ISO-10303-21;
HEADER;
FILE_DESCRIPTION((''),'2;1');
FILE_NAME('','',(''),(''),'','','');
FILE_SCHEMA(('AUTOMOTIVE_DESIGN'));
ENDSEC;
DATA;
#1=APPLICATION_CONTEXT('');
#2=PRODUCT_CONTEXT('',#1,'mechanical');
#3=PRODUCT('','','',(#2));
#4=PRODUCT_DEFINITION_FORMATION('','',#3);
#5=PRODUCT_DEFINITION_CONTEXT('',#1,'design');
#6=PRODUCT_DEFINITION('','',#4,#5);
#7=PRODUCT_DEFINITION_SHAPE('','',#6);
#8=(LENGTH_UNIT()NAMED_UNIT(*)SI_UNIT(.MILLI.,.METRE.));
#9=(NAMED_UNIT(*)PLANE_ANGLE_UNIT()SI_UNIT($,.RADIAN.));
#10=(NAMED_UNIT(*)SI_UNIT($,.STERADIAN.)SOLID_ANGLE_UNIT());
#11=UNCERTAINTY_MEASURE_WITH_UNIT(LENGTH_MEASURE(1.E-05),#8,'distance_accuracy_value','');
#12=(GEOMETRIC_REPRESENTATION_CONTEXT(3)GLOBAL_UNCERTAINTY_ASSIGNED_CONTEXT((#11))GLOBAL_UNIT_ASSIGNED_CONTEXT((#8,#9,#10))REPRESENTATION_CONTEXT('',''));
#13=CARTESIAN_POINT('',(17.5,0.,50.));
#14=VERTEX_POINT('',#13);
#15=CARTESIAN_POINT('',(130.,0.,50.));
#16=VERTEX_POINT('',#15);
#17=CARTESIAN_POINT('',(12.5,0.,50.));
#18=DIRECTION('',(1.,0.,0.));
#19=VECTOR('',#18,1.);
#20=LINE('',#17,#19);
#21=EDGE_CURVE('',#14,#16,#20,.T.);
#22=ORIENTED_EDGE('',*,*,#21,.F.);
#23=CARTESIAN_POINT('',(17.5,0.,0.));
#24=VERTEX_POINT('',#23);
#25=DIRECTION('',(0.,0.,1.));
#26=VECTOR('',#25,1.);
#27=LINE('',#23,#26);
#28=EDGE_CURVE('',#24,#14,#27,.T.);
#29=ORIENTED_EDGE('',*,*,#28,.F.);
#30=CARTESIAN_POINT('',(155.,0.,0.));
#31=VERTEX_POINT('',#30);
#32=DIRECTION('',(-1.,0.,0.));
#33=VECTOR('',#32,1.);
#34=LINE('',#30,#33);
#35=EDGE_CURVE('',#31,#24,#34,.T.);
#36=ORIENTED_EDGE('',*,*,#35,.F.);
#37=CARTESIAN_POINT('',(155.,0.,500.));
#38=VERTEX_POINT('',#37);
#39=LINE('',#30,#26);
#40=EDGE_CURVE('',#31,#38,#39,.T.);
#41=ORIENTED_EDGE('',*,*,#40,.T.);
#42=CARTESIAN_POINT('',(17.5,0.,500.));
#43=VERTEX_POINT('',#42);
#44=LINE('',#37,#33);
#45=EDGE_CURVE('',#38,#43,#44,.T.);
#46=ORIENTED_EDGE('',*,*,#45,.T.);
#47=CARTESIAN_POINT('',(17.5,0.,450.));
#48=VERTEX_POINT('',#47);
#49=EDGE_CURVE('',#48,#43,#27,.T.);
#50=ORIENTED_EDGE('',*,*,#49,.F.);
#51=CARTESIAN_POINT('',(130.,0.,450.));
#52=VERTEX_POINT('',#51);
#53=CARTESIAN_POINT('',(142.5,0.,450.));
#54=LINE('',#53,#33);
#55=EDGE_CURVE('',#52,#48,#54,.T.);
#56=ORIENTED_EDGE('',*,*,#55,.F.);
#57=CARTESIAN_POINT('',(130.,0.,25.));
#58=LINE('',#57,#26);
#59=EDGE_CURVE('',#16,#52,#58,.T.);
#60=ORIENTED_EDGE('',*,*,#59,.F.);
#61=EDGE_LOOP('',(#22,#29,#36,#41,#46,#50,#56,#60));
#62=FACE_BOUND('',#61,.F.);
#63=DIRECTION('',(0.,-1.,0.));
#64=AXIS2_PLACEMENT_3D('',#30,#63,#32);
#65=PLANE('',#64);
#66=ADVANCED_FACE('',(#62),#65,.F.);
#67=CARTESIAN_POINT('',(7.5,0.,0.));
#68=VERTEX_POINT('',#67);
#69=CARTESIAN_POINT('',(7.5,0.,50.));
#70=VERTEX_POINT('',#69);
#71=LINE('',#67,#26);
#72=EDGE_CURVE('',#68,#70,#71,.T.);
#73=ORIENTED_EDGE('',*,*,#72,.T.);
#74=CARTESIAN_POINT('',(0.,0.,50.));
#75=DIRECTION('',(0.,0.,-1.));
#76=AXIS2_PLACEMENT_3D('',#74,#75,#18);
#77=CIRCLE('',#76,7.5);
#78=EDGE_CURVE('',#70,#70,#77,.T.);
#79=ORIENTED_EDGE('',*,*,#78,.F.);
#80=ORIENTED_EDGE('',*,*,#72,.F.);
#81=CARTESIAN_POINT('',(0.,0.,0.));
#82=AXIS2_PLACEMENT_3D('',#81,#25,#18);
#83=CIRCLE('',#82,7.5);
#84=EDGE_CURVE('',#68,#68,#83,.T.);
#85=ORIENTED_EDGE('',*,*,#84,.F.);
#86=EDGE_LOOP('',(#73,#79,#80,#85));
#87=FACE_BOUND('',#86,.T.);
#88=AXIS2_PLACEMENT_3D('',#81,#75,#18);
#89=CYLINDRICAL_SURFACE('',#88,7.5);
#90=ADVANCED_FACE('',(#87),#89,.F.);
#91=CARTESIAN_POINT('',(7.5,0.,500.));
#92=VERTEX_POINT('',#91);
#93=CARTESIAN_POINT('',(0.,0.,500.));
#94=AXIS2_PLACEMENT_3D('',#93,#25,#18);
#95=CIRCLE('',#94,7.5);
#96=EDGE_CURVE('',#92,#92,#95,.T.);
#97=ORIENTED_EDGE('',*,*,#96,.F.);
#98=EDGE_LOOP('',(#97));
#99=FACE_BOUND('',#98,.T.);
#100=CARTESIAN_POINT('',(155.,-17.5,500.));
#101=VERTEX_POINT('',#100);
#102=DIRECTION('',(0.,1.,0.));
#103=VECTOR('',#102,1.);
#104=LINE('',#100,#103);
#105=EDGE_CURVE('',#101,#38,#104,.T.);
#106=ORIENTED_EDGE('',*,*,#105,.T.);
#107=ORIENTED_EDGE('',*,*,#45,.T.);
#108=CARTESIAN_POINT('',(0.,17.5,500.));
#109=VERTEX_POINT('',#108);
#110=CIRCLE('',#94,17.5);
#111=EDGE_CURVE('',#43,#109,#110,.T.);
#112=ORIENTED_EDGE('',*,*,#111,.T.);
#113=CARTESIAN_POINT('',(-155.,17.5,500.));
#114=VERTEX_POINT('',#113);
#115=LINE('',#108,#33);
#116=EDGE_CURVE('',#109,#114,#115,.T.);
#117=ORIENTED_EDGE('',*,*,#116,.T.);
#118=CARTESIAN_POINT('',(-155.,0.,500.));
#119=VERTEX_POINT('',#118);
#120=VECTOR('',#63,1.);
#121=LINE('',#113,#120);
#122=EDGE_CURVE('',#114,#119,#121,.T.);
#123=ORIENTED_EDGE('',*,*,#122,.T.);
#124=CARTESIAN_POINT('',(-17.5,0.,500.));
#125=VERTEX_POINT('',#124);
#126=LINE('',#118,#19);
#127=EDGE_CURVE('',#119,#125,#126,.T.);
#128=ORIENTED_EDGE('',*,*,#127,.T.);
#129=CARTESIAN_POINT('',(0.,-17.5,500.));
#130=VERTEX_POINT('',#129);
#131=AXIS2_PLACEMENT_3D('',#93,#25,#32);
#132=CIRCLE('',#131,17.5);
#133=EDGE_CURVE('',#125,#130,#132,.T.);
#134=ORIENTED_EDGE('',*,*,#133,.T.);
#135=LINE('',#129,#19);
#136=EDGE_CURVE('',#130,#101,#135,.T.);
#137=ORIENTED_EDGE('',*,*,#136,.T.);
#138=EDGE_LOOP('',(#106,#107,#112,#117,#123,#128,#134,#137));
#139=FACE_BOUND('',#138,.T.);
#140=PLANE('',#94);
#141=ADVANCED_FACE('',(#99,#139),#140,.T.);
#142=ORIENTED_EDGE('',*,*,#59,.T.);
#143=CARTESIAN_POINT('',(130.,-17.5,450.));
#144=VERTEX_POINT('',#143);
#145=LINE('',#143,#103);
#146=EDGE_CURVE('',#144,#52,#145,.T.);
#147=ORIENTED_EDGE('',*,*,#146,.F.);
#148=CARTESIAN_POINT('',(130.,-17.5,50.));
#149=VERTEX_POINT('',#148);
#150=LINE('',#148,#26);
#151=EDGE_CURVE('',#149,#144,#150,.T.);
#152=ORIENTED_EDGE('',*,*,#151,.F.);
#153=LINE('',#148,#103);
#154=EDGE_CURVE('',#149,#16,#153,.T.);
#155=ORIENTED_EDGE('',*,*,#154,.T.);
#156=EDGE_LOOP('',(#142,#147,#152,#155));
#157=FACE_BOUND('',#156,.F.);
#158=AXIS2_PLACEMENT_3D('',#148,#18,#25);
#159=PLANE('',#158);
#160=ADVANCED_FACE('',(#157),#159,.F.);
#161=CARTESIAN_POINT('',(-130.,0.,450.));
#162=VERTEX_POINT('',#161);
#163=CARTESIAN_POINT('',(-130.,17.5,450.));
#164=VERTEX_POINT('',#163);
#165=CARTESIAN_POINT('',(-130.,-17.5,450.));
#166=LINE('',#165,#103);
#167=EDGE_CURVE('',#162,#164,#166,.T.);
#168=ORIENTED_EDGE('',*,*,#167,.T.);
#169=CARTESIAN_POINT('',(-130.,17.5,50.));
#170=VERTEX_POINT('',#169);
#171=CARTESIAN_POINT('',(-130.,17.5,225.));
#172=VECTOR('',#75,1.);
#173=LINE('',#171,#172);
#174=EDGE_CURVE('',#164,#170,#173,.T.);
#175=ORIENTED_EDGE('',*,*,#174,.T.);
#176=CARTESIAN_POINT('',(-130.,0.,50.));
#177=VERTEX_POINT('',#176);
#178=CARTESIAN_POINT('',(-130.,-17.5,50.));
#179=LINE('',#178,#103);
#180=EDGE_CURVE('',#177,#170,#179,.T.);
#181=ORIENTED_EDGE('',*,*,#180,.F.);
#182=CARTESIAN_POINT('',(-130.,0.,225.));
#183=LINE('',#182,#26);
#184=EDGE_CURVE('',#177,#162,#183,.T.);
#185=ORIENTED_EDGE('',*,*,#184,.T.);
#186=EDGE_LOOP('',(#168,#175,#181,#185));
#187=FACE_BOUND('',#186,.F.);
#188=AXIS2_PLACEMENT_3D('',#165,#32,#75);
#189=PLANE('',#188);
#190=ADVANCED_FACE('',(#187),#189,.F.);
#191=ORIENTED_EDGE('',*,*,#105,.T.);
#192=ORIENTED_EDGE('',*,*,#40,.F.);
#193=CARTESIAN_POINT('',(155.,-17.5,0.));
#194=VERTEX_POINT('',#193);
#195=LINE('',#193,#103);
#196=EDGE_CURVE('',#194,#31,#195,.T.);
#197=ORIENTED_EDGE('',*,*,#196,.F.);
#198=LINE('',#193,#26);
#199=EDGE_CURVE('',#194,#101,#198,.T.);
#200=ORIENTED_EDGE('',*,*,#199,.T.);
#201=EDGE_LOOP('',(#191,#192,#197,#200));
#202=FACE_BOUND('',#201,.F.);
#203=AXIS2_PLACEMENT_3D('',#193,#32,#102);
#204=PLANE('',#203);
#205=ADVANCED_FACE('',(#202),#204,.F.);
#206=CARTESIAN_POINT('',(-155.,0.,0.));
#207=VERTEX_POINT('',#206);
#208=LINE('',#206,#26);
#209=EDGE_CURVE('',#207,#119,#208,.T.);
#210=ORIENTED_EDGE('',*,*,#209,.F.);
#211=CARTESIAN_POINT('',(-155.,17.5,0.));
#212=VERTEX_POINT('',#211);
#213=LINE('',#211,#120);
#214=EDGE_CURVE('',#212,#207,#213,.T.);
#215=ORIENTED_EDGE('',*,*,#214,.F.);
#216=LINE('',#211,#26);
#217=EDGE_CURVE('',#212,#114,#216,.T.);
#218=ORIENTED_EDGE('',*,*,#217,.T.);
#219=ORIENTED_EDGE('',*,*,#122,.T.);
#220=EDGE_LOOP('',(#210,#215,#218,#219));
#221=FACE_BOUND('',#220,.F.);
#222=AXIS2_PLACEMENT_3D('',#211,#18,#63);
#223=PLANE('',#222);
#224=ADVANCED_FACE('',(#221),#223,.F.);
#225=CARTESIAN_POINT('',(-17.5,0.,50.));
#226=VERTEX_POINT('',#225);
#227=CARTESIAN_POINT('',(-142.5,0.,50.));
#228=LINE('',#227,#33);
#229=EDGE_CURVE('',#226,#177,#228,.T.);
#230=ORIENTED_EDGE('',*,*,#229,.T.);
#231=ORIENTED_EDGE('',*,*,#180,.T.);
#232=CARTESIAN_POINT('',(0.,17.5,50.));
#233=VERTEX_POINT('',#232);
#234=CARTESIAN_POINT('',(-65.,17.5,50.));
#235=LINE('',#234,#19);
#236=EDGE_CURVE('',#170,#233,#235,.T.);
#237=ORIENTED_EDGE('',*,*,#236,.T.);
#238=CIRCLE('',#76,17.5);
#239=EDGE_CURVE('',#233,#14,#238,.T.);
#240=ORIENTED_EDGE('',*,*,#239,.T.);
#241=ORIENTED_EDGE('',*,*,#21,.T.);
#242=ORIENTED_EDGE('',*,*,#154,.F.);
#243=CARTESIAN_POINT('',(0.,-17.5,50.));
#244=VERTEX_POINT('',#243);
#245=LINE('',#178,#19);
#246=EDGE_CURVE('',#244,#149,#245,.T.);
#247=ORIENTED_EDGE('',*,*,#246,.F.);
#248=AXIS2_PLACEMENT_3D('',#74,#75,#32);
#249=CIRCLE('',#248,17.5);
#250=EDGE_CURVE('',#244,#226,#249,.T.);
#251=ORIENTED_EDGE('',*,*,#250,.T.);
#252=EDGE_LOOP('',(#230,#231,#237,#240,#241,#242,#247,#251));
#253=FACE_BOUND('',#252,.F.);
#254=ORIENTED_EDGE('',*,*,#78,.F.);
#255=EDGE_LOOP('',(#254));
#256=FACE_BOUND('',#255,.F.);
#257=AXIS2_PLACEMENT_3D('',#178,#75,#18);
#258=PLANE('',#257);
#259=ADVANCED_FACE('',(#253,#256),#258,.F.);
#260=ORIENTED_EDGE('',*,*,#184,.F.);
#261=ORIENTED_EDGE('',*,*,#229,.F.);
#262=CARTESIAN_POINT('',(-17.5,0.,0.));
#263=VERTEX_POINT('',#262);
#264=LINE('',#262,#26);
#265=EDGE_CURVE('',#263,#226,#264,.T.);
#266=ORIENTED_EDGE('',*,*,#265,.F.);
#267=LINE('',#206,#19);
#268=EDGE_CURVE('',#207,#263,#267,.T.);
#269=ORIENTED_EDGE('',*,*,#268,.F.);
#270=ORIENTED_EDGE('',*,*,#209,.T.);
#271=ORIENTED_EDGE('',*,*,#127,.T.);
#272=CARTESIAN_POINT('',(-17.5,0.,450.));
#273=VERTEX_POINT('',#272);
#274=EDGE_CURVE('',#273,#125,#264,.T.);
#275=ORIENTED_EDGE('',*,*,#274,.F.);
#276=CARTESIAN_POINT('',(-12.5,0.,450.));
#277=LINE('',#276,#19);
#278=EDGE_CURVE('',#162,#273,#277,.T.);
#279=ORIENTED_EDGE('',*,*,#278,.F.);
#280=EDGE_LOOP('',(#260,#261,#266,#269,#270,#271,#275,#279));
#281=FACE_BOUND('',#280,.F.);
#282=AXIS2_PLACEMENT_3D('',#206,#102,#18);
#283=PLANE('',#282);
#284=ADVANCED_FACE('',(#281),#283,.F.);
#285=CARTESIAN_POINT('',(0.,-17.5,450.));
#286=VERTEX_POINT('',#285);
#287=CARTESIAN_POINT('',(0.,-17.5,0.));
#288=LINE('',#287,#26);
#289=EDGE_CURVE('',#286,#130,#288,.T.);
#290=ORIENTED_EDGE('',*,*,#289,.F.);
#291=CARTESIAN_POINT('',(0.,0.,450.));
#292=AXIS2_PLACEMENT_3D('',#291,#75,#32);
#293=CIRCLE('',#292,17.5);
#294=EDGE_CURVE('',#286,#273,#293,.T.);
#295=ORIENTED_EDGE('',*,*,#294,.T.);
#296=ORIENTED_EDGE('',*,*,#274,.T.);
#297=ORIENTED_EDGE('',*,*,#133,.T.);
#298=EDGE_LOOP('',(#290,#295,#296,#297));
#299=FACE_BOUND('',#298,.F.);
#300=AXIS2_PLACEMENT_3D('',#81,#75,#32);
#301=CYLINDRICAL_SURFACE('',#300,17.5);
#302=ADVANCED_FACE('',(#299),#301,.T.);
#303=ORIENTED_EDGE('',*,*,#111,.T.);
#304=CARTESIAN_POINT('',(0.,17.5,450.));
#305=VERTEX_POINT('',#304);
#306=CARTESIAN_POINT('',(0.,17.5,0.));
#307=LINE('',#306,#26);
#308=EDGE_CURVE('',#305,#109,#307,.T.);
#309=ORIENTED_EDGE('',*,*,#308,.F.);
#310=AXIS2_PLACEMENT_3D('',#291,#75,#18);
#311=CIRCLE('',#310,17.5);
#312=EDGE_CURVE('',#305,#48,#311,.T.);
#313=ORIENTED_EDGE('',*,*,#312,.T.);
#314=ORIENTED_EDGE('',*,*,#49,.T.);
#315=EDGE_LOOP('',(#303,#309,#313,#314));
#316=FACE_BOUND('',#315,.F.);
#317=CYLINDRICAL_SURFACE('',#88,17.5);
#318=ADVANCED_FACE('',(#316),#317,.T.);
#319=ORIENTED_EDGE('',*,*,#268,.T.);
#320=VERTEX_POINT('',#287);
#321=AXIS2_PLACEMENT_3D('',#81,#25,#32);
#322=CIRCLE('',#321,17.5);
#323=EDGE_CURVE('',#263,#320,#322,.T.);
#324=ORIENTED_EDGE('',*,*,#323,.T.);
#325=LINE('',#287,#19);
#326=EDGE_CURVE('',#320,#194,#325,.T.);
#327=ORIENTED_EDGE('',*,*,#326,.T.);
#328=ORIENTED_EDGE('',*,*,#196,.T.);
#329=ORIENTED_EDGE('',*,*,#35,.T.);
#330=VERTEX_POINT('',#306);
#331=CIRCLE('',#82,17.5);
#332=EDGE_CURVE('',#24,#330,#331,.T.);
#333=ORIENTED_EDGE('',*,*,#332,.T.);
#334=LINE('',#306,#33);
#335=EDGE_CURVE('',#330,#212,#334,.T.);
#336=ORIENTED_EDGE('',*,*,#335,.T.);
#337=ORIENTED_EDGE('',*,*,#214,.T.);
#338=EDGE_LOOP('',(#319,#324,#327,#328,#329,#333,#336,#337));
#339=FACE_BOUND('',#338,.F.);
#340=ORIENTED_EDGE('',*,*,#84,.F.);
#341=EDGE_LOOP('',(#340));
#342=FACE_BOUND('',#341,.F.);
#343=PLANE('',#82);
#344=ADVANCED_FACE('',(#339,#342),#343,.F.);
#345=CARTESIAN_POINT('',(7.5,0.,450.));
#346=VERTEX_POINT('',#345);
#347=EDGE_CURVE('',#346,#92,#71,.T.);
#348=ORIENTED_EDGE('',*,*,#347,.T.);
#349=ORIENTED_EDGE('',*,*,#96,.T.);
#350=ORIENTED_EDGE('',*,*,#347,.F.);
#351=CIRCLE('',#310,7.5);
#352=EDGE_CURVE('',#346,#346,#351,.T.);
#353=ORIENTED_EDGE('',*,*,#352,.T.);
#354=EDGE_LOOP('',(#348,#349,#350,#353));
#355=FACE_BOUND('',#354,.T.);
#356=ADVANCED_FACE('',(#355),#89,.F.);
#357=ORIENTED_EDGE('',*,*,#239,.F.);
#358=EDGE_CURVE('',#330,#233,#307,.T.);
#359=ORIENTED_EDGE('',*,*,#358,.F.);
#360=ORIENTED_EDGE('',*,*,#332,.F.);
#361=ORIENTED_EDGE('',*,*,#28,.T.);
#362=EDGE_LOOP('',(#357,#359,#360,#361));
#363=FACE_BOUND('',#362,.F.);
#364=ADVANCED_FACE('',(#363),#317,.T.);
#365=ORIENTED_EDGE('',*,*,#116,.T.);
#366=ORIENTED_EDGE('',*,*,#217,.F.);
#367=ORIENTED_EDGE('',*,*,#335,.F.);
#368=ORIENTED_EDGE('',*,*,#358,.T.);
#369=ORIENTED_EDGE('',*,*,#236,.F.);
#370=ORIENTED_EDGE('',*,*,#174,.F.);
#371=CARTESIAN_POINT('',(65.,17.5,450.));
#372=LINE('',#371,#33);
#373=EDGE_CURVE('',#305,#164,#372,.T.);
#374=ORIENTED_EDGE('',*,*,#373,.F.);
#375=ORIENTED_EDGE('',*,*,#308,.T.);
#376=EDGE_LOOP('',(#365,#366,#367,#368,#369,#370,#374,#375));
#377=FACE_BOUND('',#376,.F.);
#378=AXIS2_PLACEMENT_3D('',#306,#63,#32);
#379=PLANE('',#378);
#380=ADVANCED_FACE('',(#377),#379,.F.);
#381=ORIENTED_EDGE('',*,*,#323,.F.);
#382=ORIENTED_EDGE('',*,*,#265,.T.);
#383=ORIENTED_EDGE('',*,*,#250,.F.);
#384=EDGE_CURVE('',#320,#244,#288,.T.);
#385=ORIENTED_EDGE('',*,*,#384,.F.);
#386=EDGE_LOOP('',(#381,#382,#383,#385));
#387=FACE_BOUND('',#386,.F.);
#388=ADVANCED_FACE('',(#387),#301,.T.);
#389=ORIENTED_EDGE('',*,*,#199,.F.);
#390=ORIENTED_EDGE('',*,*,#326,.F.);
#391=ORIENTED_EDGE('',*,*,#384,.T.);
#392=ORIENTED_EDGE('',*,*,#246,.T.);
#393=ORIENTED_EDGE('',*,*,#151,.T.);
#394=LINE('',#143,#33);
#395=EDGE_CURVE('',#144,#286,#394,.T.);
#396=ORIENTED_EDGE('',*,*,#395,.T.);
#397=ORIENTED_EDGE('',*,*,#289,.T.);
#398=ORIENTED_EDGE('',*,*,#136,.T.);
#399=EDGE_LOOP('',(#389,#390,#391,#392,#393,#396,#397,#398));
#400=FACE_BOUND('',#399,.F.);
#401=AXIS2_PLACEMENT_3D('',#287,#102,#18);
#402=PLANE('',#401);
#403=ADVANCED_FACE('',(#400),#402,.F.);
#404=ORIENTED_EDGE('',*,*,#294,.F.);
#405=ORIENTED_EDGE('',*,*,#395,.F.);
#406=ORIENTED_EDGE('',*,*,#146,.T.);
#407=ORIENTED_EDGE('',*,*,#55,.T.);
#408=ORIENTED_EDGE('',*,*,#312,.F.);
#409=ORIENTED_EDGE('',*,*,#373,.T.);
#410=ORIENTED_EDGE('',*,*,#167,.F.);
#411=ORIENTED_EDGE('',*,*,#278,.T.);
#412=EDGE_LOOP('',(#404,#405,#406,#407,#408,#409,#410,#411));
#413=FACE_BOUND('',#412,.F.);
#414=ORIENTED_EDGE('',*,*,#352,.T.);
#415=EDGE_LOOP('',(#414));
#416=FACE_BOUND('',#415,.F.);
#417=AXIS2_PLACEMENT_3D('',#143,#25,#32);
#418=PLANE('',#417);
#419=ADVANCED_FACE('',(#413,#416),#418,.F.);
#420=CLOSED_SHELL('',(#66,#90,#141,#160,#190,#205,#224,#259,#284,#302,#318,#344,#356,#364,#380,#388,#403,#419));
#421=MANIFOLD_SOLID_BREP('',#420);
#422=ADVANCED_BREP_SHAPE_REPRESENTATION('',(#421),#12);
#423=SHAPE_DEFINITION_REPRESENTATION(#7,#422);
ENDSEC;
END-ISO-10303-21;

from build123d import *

# Parameters (mm, degrees)
F0_R     = 7.5
F1_DEPTH = 500
F3_DEPTH = 35.001


with BuildPart() as f1:
    # F0 (on Top) → F1 (new body)
    with BuildSketch(Plane.XY):
        with BuildLine():
            Line((-155, 0), (-17.5, 0))
            ThreePointArc((-17.5, 0), (-12.3743686708, -12.3743686708), (0, -17.5))
            Line((0, -17.5), (155, -17.5))
            Line((155, -17.5), (155, 0))
            Line((155, 0), (17.5, 0))
            ThreePointArc((17.5, 0), (12.3743686708, 12.3743686708), (0, 17.5))
            Line((0, 17.5), (-155, 17.5))
            Line((-155, 17.5), (-155, 0))
        make_face()
        Circle(F0_R, mode=Mode.SUBTRACT)
    extrude(amount=F1_DEPTH)

    # F2 (on face) → F3 (cut, through all)
    with BuildSketch(Plane.XZ.offset(17.5)):
        Polygon((-17.5, 450), (-130, 450), (-130, 50), (-17.5, 50), (0, 50), (130, 50), (130, 450), (0, 450), align=None)
    extrude(amount=-F3_DEPTH, mode=Mode.SUBTRACT)


solid = f1.part
